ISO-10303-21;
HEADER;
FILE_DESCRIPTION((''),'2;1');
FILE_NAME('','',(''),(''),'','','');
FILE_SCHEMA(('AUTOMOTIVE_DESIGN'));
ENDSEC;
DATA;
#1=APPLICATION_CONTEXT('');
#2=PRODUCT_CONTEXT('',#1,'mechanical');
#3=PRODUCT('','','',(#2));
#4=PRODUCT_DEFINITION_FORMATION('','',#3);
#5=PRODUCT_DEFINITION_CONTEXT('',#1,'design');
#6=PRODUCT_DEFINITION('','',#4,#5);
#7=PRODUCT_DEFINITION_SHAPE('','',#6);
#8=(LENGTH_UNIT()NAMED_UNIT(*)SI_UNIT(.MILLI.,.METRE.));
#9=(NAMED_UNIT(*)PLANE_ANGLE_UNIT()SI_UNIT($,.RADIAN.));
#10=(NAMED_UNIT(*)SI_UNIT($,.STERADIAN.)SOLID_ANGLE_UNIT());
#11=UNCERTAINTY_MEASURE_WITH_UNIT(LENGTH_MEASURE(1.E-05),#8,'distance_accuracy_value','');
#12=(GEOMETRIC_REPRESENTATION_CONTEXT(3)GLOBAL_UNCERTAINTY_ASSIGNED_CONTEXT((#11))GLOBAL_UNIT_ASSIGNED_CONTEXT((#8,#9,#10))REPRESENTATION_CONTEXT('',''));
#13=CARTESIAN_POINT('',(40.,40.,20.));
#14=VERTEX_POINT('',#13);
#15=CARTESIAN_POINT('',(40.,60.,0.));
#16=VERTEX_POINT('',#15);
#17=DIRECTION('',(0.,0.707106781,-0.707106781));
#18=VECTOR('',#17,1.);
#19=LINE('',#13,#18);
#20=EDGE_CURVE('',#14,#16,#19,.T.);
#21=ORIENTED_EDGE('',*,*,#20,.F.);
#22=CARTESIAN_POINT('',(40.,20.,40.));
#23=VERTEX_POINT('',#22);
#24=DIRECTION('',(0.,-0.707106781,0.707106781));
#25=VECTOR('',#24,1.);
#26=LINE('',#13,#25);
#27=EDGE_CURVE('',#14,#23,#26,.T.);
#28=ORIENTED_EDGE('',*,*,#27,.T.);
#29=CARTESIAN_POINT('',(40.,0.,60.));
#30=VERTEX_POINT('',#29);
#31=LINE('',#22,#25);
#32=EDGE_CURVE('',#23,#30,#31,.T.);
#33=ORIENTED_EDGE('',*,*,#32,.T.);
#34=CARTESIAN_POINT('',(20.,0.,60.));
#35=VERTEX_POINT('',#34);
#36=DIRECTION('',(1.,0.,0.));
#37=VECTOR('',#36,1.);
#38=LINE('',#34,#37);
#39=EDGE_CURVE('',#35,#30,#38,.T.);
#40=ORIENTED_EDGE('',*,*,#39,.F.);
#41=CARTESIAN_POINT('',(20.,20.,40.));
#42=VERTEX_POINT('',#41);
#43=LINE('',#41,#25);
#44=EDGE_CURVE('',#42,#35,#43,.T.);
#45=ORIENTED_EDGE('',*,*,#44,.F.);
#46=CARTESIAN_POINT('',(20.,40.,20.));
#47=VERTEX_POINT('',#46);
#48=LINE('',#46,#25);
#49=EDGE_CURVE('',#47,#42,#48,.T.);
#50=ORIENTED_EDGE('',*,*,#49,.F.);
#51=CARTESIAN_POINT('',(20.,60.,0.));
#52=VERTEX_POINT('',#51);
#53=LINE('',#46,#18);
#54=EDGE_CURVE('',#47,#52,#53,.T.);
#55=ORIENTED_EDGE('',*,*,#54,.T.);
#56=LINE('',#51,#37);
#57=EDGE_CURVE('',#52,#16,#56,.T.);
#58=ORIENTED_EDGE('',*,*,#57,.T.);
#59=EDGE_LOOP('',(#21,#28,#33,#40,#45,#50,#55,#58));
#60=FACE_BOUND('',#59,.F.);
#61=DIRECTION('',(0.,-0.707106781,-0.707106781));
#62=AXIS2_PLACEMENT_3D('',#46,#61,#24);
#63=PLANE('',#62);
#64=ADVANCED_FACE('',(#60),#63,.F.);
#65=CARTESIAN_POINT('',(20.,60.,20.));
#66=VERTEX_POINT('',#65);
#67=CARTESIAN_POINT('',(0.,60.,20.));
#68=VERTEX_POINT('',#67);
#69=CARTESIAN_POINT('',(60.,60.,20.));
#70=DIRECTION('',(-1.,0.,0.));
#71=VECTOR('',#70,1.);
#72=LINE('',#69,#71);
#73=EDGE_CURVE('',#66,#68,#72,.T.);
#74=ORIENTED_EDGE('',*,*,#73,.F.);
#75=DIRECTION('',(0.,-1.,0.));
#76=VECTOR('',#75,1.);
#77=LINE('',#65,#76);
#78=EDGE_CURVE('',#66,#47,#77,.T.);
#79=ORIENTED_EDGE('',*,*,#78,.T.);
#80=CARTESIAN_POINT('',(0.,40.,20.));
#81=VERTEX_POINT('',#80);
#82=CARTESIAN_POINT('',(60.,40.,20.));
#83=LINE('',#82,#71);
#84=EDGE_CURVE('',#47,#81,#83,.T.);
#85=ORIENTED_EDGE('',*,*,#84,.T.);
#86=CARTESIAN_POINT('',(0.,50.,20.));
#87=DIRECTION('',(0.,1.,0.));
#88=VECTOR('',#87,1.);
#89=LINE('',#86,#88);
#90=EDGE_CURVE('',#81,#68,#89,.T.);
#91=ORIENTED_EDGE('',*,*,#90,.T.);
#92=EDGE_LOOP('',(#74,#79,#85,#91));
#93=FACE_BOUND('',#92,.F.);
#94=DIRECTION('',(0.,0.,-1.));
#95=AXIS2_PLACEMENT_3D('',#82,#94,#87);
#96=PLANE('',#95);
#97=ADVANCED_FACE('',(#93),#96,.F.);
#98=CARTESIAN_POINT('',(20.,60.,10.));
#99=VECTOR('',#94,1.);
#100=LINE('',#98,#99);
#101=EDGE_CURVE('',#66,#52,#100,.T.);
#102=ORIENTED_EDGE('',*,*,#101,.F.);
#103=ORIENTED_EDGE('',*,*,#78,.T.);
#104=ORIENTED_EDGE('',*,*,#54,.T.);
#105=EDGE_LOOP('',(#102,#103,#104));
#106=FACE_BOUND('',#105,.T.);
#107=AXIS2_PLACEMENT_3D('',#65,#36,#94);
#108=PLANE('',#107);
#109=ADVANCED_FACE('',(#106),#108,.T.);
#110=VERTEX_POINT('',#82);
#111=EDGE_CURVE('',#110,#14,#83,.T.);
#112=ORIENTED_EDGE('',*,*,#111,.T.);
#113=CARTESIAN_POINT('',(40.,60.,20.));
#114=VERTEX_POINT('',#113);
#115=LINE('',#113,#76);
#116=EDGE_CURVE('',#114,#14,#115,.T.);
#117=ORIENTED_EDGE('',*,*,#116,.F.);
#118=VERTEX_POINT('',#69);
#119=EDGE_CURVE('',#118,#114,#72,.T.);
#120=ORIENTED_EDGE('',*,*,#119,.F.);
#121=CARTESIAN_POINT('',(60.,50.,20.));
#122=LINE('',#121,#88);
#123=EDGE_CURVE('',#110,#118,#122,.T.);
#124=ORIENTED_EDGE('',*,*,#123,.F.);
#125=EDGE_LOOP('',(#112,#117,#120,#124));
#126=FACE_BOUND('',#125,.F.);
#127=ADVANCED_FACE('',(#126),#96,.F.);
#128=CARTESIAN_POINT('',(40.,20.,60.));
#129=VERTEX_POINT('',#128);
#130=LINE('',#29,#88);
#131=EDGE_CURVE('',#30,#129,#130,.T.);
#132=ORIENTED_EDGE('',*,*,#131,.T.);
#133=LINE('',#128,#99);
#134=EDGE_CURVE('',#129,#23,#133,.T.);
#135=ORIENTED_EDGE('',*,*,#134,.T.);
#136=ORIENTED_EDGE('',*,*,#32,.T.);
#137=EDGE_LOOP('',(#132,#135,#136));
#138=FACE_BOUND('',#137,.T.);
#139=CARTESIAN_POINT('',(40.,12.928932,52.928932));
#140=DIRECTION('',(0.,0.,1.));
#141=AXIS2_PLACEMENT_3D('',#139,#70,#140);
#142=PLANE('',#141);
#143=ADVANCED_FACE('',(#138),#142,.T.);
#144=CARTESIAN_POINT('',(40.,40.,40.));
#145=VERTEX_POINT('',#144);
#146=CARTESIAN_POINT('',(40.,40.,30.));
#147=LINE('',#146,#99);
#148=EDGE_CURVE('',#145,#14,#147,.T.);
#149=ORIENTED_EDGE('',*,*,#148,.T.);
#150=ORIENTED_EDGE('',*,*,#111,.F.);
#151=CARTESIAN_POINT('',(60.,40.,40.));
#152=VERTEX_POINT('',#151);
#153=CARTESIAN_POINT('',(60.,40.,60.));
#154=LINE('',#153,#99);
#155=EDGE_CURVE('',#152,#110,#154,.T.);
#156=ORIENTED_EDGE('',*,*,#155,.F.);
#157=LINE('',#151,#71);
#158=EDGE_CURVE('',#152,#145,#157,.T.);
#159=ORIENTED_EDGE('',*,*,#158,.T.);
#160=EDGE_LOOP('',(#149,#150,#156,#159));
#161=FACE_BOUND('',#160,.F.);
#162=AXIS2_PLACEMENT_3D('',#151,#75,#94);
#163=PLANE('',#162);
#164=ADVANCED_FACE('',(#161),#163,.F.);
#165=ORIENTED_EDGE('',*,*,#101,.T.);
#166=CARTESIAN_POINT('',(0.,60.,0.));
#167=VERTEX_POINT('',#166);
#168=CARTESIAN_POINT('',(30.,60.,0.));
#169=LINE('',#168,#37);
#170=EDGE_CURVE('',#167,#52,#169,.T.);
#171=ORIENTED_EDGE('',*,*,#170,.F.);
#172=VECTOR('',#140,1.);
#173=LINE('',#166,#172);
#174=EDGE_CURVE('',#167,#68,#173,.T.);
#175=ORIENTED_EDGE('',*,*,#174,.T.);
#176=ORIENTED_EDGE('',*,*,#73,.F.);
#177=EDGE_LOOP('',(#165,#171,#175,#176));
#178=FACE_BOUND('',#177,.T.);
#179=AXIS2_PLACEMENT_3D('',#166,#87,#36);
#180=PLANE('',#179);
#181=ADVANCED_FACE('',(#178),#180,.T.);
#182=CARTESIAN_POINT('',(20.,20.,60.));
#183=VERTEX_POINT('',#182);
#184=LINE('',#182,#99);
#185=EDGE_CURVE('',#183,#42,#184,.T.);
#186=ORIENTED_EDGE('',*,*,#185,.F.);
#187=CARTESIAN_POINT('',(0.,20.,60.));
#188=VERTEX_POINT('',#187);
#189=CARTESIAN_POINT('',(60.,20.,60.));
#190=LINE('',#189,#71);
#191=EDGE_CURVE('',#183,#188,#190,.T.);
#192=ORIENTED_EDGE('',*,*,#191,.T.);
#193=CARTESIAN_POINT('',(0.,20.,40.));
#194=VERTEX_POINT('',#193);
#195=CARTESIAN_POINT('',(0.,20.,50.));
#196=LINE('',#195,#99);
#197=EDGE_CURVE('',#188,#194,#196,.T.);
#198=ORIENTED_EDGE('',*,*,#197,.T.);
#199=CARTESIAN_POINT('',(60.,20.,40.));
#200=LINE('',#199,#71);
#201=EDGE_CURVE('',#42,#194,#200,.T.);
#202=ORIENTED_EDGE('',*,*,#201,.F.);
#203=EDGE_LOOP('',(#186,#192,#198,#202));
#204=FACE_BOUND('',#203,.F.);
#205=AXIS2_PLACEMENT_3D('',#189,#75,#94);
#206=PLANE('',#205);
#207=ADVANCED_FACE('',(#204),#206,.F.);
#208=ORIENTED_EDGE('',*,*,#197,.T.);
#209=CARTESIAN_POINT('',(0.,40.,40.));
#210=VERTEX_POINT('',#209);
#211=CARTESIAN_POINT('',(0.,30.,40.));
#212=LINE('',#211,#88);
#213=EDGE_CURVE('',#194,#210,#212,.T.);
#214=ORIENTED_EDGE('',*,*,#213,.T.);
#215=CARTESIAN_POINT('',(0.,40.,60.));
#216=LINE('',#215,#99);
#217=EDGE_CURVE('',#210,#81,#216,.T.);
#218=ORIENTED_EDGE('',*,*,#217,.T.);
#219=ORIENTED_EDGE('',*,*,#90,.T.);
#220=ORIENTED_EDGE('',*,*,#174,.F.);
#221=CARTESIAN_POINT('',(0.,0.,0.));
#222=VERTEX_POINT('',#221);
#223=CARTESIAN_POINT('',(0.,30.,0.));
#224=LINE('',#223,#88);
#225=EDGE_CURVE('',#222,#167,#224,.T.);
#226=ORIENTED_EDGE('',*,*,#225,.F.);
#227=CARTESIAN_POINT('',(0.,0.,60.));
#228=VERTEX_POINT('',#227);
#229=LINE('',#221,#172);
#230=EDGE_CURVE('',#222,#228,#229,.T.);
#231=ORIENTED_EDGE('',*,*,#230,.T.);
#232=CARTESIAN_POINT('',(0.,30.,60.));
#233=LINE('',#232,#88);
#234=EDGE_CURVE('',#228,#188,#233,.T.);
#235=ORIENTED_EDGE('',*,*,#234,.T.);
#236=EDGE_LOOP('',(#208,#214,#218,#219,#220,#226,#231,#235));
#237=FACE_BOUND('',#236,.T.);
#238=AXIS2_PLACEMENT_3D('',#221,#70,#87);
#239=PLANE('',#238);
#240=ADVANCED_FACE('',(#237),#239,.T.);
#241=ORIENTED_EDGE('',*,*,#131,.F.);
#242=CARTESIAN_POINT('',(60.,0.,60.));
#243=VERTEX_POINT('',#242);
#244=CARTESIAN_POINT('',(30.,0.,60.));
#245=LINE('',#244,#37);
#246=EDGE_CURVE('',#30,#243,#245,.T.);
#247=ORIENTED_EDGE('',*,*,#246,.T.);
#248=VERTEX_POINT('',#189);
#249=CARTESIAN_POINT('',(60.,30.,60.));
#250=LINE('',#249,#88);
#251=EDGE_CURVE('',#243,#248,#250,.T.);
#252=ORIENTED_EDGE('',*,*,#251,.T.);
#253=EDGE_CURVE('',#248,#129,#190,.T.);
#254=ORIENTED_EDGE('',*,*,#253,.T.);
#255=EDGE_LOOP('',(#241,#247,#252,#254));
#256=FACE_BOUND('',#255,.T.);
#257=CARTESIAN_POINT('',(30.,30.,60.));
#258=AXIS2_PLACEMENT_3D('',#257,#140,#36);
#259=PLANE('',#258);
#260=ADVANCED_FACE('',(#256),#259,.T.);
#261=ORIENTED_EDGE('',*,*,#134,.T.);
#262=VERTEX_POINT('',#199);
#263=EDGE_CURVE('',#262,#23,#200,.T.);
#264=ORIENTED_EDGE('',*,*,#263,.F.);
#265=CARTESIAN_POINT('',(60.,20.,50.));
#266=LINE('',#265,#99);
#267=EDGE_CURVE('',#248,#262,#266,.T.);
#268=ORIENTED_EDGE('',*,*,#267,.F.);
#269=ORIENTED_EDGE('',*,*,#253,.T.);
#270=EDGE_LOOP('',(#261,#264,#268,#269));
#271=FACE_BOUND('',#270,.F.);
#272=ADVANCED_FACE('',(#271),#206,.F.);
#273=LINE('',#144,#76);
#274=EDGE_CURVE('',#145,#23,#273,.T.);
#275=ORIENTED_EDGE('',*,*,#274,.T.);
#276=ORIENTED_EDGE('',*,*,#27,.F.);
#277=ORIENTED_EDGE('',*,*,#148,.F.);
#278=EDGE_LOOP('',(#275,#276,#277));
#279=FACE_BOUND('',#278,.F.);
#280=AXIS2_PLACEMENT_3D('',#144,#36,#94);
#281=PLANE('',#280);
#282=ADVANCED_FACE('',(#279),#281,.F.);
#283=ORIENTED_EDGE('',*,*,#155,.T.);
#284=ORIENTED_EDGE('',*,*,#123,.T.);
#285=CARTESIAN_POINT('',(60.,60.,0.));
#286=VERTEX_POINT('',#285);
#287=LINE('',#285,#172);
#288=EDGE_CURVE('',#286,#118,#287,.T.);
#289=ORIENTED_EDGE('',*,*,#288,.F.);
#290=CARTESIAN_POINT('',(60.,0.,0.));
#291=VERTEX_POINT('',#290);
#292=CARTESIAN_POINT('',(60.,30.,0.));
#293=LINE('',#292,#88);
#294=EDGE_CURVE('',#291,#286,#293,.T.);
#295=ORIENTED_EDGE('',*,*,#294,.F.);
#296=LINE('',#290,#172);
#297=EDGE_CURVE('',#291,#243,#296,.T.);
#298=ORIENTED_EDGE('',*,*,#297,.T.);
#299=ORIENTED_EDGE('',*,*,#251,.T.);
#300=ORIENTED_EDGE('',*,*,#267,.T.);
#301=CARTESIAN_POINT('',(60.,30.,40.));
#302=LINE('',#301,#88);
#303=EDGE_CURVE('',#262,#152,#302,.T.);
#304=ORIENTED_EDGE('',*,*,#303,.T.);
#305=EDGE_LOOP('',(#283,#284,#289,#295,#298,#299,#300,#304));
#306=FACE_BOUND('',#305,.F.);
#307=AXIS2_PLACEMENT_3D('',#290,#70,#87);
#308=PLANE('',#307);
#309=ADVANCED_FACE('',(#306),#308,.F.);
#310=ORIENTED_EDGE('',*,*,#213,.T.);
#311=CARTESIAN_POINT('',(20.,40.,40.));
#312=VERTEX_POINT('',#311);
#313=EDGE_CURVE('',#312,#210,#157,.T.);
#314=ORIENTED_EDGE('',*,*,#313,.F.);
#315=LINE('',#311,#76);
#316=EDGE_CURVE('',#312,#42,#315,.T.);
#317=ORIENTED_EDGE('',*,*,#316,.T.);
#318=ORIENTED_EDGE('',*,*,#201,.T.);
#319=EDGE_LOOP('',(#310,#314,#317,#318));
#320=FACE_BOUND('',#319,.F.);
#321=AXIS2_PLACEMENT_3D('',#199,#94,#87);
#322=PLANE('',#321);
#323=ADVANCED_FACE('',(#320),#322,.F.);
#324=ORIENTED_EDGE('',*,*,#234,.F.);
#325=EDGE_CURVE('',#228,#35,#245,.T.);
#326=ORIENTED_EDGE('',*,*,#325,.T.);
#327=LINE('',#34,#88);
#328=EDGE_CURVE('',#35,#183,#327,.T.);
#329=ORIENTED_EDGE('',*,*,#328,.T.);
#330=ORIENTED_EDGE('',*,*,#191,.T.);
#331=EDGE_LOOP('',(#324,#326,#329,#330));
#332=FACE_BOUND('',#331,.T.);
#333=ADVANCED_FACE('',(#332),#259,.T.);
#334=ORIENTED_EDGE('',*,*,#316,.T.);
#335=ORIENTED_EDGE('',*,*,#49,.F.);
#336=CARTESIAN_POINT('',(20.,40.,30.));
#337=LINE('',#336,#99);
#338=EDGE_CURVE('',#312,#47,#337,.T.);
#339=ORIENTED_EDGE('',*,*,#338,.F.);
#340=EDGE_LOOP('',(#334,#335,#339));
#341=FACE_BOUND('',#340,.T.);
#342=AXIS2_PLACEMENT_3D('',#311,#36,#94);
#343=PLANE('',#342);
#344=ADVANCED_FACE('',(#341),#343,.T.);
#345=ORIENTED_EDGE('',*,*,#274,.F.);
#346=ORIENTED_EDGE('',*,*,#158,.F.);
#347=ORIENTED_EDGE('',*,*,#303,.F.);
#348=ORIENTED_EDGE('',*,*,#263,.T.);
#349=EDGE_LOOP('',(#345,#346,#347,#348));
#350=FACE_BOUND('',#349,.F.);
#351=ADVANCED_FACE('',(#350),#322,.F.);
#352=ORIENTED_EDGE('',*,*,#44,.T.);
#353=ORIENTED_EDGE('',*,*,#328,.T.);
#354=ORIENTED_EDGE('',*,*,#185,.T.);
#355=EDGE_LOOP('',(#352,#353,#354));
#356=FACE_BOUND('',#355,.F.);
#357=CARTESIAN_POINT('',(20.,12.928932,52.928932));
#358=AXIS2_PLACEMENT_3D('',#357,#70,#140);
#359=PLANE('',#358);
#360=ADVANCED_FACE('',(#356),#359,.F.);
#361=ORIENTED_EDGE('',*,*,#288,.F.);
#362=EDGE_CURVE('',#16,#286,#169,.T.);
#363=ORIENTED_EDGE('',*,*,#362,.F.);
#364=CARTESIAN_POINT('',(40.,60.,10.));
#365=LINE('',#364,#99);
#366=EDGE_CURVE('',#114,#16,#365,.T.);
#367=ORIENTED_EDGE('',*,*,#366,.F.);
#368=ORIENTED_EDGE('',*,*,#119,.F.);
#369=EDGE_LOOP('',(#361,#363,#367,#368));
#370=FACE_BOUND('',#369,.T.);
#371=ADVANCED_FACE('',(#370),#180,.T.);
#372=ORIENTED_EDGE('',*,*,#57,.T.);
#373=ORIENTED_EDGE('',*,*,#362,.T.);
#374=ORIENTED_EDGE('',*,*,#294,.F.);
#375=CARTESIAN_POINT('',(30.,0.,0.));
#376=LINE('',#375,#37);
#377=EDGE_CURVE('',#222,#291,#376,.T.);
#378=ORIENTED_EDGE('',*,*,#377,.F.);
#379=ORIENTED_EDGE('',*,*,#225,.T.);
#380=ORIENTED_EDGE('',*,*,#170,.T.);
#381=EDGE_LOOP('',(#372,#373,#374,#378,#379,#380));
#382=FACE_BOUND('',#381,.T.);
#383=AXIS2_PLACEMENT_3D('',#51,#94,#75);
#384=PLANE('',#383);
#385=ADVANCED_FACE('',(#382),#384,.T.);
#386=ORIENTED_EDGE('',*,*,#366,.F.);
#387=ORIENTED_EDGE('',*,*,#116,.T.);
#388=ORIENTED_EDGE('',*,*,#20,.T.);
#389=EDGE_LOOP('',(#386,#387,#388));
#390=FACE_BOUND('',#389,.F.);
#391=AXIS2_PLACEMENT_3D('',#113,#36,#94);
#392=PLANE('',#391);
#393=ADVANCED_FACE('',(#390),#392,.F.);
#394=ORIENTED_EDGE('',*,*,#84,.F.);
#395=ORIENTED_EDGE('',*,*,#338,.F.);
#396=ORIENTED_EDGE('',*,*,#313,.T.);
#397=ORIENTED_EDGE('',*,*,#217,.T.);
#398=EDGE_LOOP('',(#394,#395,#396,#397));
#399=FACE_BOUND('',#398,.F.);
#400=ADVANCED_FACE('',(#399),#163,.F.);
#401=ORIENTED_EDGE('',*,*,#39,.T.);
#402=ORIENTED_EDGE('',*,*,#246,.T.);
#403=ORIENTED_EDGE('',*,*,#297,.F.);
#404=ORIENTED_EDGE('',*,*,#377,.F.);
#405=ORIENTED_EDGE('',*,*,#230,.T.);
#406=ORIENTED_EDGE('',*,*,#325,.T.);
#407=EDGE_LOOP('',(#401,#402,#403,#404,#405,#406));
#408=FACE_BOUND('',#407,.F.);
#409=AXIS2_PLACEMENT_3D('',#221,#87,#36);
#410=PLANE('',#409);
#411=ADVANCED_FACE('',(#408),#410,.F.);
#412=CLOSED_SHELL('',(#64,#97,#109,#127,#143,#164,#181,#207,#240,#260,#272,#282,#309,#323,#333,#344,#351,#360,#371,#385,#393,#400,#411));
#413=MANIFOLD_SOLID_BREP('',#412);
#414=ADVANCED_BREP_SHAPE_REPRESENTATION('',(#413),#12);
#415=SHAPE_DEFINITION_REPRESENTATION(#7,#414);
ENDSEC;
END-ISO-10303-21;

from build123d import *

# Parameters (mm, degrees)
CROQUIS4_W              = 60
CROQUIS4_H              = 60
SALIENTE_EXTRUIR1_DEPTH = 60
CROQUIS10_W             = 20
CROQUIS10_H             = 20
CORTAR_EXTRUIR6_DEPTH   = 60
CROQUIS11_W             = 20
CROQUIS11_H             = 20
CORTAR_EXTRUIR7_DEPTH   = 20
SALIENTE_EXTRUIR2_DEPTH = 20
CROQUIS13_W             = 20
CROQUIS13_H             = 20
CORTAR_EXTRUIR8_DEPTH   = 20
SALIENTE_EXTRUIR3_DEPTH = 20
CORTAR_EXTRUIR9_START   = -40
CORTAR_EXTRUIR9_DEPTH   = 20


with BuildPart() as part:
    # Croquis4 → Saliente-Extruir1 (new body)
    with BuildSketch(Plane.XY):
        with Locations((30, 30)):
            Rectangle(CROQUIS4_W, CROQUIS4_H)
    extrude(amount=SALIENTE_EXTRUIR1_DEPTH)

    # Croquis10 → Cortar-Extruir6 (cut)
    with BuildSketch(Plane(origin=(60, 0, 0), x_dir=(0, 0, -1), z_dir=(1, 0, 0))):
        with Locations((-30, 50)):
            Rectangle(CROQUIS10_W, CROQUIS10_H)
        with Locations((-50, 50)):
            Rectangle(CROQUIS10_W, CROQUIS10_H)
        with Locations((-50, 30)):
            Rectangle(CROQUIS10_W, CROQUIS10_H)
    extrude(amount=-CORTAR_EXTRUIR6_DEPTH, mode=Mode.SUBTRACT)

    # Croquis11 → Cortar-Extruir7 (cut)
    with BuildSketch(Plane(origin=(0, 60, 0), x_dir=(1, 0, 0), z_dir=(0, 1, 0))):
        with Locations((30, -10)):
            Rectangle(CROQUIS11_W, CROQUIS11_H)
    extrude(amount=-CORTAR_EXTRUIR7_DEPTH, mode=Mode.SUBTRACT)

    # Croquis12 → Saliente-Extruir2 (add)
    with BuildSketch(Plane(origin=(20, 0, 0), x_dir=(0, 0, -1), z_dir=(1, 0, 0))):
        Polygon((0, 60), (0, 40), (-20, 40), align=None)
    extrude(amount=SALIENTE_EXTRUIR2_DEPTH)

    # Croquis13 → Cortar-Extruir8 (cut)
    with BuildSketch(Plane(origin=(0, 40, 0), x_dir=(1, 0, 0), z_dir=(0, 1, 0))):
        with Locations((30, -30)):
            Rectangle(CROQUIS13_W, CROQUIS13_H)
    extrude(amount=-CORTAR_EXTRUIR8_DEPTH, mode=Mode.SUBTRACT)

    # Croquis14 → Saliente-Extruir3 (add)
    with BuildSketch(Plane(origin=(20, 0, 0), x_dir=(0, 0, -1), z_dir=(1, 0, 0))):
        Polygon((-20, 40), (-40, 20), (-20, 20), align=None)
    extrude(amount=SALIENTE_EXTRUIR3_DEPTH)

    # Croquis16 → Cortar-Extruir9 (cut)
    with BuildSketch(Plane(origin=(60, 0, 0), x_dir=(0, 0, -1), z_dir=(1, 0, 0)).offset(CORTAR_EXTRUIR9_START)):
        Polygon((-40, 20), (-60, 0), (-60, 20), align=None)
    extrude(amount=CORTAR_EXTRUIR9_DEPTH, mode=Mode.SUBTRACT)


solid = part.part
